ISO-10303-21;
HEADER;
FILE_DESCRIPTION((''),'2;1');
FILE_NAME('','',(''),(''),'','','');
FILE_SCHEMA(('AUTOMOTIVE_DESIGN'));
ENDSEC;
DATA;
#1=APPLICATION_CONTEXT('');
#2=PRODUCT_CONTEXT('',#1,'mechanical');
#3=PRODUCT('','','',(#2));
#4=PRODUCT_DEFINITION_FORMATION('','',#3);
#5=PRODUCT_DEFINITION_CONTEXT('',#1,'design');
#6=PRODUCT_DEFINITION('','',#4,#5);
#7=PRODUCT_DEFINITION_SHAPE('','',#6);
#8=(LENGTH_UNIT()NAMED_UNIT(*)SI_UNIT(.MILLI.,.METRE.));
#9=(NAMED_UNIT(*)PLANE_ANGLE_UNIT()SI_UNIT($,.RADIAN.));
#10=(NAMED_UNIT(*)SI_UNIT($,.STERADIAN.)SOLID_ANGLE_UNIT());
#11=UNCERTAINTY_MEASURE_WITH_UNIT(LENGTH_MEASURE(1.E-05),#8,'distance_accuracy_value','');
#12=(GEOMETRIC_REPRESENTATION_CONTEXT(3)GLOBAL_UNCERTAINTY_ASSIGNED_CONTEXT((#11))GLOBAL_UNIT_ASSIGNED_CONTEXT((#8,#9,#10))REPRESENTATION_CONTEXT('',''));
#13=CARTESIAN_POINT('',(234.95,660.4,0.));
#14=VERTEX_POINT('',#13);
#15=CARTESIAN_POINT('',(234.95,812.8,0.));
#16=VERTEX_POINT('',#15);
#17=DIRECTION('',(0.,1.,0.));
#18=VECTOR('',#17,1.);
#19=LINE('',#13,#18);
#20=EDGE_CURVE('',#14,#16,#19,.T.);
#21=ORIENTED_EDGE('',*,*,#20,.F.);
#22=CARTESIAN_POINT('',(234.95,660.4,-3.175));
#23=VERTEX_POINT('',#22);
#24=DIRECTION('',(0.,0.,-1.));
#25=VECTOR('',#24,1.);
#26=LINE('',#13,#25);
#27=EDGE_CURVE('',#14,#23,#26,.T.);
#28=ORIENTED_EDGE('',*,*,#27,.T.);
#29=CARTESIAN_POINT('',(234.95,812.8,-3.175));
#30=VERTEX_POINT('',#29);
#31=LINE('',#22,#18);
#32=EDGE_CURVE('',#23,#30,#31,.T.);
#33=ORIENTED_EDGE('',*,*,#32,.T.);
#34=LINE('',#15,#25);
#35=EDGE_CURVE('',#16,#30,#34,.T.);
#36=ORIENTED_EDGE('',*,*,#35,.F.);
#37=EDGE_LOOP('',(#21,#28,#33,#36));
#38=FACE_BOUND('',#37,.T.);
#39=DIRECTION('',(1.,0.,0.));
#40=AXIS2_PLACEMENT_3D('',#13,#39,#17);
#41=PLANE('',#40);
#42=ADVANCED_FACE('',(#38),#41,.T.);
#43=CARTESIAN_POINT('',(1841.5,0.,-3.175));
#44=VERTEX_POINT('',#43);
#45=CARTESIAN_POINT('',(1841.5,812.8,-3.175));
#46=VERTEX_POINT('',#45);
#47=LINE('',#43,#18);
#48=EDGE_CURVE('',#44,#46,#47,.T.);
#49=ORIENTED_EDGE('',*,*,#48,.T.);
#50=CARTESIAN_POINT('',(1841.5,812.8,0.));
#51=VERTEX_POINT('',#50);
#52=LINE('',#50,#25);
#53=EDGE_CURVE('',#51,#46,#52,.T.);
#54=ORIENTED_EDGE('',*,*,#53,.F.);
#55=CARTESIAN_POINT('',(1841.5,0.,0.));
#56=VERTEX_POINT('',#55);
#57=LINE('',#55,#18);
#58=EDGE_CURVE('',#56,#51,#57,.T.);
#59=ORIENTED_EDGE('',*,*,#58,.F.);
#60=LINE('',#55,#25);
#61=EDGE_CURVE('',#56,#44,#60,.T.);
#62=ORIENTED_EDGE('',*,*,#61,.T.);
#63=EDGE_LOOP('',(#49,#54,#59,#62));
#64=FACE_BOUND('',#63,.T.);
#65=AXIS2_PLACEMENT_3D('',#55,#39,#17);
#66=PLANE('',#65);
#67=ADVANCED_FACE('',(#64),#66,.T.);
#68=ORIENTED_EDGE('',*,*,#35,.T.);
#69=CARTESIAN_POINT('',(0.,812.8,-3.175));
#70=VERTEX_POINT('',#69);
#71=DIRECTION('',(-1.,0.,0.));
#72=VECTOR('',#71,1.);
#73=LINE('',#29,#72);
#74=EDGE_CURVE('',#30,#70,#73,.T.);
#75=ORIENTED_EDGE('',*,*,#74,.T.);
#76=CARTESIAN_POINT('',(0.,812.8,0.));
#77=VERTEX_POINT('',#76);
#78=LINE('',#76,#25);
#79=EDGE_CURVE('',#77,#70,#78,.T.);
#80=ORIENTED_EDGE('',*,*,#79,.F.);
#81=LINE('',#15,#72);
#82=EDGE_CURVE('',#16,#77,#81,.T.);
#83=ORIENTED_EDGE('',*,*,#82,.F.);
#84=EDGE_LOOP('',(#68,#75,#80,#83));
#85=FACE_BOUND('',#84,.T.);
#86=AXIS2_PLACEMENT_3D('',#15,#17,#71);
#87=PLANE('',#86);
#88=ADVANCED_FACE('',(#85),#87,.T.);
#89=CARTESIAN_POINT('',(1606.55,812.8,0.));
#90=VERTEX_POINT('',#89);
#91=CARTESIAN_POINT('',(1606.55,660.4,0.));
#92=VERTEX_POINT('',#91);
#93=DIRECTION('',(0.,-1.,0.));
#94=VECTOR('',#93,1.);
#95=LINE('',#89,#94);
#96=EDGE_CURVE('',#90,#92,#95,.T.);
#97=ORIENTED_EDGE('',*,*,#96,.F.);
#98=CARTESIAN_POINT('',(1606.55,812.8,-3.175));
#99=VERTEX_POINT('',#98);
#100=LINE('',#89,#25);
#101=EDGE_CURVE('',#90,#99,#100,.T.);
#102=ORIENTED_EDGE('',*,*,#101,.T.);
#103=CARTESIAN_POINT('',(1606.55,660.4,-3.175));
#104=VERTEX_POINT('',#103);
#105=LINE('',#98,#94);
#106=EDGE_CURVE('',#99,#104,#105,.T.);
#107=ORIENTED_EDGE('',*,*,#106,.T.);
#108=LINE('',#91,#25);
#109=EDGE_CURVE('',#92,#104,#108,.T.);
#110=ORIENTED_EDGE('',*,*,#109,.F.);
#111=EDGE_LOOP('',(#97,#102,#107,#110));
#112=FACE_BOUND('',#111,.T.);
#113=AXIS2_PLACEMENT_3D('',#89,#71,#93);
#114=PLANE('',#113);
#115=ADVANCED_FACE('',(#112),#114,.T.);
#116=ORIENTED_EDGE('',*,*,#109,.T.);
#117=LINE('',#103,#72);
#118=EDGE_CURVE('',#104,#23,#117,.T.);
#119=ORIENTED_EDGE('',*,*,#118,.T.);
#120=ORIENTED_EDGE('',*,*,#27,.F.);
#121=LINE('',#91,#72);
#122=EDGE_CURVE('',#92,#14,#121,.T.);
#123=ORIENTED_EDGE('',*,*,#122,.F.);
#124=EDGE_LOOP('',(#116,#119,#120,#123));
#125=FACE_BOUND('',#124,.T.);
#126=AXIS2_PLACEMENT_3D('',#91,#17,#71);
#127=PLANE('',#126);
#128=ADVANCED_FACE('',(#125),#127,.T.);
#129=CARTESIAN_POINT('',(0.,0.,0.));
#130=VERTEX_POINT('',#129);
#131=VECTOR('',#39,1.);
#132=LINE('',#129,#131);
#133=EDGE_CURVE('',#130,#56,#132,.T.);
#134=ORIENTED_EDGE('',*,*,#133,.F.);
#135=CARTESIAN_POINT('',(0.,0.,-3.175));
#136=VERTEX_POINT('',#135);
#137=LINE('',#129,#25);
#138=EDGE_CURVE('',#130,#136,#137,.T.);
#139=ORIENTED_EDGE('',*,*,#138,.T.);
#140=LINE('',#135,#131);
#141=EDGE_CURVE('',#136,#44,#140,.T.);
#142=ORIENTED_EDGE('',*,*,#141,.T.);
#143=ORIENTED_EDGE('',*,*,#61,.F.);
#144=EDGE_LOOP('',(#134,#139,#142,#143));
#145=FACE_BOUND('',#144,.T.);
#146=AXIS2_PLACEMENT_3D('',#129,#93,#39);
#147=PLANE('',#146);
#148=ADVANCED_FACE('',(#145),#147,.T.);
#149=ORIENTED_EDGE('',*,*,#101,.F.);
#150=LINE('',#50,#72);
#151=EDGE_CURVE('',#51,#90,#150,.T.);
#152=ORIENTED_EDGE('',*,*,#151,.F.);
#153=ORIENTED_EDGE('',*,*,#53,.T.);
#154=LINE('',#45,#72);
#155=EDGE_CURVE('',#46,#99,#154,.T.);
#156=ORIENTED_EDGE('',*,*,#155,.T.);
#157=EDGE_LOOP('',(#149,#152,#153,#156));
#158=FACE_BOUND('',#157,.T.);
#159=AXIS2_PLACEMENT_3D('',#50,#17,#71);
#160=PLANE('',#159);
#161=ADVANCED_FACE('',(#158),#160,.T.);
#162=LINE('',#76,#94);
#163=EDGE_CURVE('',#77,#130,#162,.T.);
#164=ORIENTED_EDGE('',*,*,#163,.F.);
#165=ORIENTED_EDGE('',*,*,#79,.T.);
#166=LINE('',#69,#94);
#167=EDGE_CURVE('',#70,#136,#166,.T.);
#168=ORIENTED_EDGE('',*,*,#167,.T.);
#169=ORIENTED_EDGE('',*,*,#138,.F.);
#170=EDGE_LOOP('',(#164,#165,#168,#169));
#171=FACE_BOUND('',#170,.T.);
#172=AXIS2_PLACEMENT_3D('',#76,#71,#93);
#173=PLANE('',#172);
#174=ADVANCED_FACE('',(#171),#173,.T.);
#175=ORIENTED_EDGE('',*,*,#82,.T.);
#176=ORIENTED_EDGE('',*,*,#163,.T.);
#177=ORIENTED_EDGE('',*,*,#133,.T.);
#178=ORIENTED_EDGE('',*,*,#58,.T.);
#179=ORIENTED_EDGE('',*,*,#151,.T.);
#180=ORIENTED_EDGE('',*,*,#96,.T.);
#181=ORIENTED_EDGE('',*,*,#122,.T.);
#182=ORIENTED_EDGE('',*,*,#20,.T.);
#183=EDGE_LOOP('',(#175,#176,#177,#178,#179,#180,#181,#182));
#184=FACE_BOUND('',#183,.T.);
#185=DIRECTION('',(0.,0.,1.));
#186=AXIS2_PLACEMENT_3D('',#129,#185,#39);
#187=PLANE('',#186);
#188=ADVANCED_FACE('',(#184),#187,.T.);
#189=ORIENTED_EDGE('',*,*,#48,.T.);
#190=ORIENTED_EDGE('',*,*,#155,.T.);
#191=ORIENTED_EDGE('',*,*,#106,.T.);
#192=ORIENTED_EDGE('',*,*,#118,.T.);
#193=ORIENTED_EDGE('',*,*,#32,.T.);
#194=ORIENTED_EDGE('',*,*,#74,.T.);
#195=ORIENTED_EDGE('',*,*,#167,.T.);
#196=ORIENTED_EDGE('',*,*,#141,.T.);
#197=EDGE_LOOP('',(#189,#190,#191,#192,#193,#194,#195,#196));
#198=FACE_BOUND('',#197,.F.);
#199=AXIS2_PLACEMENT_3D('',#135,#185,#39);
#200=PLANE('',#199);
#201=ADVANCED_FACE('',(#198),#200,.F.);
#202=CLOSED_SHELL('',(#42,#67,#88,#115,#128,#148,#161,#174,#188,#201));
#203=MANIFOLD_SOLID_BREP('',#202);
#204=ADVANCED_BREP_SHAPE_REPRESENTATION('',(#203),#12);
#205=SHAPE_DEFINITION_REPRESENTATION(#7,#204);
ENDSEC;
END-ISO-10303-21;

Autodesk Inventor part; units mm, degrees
ref_plane "YZ Plane" through (0, 0, 0) normal (1, 0, 0) x (0, 1, 0)
ref_plane "XZ Plane" through (0, 0, 0) normal (0, 1, 0) x (-1, 0, 0)
ref_plane "XY Plane" through (0, 0, 0) normal (0, 0, 1) x (1, 0, 0)
sketch "Sketch1" plane through (0, 0, 0) normal (0, 0, 1) x (1, 0, 0)
  line L0 (0, 0) -> (1841.5, 0)
  line L1 (1841.5, 0) -> (1841.5, 812.8)
  line L2 (1841.5, 812.8) -> (1606.55, 812.8)
  line L3 (1606.55, 812.8) -> (1606.55, 660.4)
  line L4 (1606.55, 660.4) -> (234.95, 660.4)
  line L5 (234.95, 660.4) -> (234.95, 812.8)
  line L6 (234.95, 812.8) -> (0, 812.8)
  line L7 (0, 812.8) -> (0, 0)
  dimension "d0" = 1841.5
  dimension "d1" = 812.8
  dimension "d2" = 234.95
  dimension "d3" = 152.4
  dimension "d4" = 234.95
  dimension "d5" = 152.4
extrude "Extrusion1" add sketch "Sketch1" against normal blind 3.175
equation "\"d4\" = d2"
equation "\"d5\" = d3"
properties part number "GE-13013R" material "Polycarbonate, Clear"
